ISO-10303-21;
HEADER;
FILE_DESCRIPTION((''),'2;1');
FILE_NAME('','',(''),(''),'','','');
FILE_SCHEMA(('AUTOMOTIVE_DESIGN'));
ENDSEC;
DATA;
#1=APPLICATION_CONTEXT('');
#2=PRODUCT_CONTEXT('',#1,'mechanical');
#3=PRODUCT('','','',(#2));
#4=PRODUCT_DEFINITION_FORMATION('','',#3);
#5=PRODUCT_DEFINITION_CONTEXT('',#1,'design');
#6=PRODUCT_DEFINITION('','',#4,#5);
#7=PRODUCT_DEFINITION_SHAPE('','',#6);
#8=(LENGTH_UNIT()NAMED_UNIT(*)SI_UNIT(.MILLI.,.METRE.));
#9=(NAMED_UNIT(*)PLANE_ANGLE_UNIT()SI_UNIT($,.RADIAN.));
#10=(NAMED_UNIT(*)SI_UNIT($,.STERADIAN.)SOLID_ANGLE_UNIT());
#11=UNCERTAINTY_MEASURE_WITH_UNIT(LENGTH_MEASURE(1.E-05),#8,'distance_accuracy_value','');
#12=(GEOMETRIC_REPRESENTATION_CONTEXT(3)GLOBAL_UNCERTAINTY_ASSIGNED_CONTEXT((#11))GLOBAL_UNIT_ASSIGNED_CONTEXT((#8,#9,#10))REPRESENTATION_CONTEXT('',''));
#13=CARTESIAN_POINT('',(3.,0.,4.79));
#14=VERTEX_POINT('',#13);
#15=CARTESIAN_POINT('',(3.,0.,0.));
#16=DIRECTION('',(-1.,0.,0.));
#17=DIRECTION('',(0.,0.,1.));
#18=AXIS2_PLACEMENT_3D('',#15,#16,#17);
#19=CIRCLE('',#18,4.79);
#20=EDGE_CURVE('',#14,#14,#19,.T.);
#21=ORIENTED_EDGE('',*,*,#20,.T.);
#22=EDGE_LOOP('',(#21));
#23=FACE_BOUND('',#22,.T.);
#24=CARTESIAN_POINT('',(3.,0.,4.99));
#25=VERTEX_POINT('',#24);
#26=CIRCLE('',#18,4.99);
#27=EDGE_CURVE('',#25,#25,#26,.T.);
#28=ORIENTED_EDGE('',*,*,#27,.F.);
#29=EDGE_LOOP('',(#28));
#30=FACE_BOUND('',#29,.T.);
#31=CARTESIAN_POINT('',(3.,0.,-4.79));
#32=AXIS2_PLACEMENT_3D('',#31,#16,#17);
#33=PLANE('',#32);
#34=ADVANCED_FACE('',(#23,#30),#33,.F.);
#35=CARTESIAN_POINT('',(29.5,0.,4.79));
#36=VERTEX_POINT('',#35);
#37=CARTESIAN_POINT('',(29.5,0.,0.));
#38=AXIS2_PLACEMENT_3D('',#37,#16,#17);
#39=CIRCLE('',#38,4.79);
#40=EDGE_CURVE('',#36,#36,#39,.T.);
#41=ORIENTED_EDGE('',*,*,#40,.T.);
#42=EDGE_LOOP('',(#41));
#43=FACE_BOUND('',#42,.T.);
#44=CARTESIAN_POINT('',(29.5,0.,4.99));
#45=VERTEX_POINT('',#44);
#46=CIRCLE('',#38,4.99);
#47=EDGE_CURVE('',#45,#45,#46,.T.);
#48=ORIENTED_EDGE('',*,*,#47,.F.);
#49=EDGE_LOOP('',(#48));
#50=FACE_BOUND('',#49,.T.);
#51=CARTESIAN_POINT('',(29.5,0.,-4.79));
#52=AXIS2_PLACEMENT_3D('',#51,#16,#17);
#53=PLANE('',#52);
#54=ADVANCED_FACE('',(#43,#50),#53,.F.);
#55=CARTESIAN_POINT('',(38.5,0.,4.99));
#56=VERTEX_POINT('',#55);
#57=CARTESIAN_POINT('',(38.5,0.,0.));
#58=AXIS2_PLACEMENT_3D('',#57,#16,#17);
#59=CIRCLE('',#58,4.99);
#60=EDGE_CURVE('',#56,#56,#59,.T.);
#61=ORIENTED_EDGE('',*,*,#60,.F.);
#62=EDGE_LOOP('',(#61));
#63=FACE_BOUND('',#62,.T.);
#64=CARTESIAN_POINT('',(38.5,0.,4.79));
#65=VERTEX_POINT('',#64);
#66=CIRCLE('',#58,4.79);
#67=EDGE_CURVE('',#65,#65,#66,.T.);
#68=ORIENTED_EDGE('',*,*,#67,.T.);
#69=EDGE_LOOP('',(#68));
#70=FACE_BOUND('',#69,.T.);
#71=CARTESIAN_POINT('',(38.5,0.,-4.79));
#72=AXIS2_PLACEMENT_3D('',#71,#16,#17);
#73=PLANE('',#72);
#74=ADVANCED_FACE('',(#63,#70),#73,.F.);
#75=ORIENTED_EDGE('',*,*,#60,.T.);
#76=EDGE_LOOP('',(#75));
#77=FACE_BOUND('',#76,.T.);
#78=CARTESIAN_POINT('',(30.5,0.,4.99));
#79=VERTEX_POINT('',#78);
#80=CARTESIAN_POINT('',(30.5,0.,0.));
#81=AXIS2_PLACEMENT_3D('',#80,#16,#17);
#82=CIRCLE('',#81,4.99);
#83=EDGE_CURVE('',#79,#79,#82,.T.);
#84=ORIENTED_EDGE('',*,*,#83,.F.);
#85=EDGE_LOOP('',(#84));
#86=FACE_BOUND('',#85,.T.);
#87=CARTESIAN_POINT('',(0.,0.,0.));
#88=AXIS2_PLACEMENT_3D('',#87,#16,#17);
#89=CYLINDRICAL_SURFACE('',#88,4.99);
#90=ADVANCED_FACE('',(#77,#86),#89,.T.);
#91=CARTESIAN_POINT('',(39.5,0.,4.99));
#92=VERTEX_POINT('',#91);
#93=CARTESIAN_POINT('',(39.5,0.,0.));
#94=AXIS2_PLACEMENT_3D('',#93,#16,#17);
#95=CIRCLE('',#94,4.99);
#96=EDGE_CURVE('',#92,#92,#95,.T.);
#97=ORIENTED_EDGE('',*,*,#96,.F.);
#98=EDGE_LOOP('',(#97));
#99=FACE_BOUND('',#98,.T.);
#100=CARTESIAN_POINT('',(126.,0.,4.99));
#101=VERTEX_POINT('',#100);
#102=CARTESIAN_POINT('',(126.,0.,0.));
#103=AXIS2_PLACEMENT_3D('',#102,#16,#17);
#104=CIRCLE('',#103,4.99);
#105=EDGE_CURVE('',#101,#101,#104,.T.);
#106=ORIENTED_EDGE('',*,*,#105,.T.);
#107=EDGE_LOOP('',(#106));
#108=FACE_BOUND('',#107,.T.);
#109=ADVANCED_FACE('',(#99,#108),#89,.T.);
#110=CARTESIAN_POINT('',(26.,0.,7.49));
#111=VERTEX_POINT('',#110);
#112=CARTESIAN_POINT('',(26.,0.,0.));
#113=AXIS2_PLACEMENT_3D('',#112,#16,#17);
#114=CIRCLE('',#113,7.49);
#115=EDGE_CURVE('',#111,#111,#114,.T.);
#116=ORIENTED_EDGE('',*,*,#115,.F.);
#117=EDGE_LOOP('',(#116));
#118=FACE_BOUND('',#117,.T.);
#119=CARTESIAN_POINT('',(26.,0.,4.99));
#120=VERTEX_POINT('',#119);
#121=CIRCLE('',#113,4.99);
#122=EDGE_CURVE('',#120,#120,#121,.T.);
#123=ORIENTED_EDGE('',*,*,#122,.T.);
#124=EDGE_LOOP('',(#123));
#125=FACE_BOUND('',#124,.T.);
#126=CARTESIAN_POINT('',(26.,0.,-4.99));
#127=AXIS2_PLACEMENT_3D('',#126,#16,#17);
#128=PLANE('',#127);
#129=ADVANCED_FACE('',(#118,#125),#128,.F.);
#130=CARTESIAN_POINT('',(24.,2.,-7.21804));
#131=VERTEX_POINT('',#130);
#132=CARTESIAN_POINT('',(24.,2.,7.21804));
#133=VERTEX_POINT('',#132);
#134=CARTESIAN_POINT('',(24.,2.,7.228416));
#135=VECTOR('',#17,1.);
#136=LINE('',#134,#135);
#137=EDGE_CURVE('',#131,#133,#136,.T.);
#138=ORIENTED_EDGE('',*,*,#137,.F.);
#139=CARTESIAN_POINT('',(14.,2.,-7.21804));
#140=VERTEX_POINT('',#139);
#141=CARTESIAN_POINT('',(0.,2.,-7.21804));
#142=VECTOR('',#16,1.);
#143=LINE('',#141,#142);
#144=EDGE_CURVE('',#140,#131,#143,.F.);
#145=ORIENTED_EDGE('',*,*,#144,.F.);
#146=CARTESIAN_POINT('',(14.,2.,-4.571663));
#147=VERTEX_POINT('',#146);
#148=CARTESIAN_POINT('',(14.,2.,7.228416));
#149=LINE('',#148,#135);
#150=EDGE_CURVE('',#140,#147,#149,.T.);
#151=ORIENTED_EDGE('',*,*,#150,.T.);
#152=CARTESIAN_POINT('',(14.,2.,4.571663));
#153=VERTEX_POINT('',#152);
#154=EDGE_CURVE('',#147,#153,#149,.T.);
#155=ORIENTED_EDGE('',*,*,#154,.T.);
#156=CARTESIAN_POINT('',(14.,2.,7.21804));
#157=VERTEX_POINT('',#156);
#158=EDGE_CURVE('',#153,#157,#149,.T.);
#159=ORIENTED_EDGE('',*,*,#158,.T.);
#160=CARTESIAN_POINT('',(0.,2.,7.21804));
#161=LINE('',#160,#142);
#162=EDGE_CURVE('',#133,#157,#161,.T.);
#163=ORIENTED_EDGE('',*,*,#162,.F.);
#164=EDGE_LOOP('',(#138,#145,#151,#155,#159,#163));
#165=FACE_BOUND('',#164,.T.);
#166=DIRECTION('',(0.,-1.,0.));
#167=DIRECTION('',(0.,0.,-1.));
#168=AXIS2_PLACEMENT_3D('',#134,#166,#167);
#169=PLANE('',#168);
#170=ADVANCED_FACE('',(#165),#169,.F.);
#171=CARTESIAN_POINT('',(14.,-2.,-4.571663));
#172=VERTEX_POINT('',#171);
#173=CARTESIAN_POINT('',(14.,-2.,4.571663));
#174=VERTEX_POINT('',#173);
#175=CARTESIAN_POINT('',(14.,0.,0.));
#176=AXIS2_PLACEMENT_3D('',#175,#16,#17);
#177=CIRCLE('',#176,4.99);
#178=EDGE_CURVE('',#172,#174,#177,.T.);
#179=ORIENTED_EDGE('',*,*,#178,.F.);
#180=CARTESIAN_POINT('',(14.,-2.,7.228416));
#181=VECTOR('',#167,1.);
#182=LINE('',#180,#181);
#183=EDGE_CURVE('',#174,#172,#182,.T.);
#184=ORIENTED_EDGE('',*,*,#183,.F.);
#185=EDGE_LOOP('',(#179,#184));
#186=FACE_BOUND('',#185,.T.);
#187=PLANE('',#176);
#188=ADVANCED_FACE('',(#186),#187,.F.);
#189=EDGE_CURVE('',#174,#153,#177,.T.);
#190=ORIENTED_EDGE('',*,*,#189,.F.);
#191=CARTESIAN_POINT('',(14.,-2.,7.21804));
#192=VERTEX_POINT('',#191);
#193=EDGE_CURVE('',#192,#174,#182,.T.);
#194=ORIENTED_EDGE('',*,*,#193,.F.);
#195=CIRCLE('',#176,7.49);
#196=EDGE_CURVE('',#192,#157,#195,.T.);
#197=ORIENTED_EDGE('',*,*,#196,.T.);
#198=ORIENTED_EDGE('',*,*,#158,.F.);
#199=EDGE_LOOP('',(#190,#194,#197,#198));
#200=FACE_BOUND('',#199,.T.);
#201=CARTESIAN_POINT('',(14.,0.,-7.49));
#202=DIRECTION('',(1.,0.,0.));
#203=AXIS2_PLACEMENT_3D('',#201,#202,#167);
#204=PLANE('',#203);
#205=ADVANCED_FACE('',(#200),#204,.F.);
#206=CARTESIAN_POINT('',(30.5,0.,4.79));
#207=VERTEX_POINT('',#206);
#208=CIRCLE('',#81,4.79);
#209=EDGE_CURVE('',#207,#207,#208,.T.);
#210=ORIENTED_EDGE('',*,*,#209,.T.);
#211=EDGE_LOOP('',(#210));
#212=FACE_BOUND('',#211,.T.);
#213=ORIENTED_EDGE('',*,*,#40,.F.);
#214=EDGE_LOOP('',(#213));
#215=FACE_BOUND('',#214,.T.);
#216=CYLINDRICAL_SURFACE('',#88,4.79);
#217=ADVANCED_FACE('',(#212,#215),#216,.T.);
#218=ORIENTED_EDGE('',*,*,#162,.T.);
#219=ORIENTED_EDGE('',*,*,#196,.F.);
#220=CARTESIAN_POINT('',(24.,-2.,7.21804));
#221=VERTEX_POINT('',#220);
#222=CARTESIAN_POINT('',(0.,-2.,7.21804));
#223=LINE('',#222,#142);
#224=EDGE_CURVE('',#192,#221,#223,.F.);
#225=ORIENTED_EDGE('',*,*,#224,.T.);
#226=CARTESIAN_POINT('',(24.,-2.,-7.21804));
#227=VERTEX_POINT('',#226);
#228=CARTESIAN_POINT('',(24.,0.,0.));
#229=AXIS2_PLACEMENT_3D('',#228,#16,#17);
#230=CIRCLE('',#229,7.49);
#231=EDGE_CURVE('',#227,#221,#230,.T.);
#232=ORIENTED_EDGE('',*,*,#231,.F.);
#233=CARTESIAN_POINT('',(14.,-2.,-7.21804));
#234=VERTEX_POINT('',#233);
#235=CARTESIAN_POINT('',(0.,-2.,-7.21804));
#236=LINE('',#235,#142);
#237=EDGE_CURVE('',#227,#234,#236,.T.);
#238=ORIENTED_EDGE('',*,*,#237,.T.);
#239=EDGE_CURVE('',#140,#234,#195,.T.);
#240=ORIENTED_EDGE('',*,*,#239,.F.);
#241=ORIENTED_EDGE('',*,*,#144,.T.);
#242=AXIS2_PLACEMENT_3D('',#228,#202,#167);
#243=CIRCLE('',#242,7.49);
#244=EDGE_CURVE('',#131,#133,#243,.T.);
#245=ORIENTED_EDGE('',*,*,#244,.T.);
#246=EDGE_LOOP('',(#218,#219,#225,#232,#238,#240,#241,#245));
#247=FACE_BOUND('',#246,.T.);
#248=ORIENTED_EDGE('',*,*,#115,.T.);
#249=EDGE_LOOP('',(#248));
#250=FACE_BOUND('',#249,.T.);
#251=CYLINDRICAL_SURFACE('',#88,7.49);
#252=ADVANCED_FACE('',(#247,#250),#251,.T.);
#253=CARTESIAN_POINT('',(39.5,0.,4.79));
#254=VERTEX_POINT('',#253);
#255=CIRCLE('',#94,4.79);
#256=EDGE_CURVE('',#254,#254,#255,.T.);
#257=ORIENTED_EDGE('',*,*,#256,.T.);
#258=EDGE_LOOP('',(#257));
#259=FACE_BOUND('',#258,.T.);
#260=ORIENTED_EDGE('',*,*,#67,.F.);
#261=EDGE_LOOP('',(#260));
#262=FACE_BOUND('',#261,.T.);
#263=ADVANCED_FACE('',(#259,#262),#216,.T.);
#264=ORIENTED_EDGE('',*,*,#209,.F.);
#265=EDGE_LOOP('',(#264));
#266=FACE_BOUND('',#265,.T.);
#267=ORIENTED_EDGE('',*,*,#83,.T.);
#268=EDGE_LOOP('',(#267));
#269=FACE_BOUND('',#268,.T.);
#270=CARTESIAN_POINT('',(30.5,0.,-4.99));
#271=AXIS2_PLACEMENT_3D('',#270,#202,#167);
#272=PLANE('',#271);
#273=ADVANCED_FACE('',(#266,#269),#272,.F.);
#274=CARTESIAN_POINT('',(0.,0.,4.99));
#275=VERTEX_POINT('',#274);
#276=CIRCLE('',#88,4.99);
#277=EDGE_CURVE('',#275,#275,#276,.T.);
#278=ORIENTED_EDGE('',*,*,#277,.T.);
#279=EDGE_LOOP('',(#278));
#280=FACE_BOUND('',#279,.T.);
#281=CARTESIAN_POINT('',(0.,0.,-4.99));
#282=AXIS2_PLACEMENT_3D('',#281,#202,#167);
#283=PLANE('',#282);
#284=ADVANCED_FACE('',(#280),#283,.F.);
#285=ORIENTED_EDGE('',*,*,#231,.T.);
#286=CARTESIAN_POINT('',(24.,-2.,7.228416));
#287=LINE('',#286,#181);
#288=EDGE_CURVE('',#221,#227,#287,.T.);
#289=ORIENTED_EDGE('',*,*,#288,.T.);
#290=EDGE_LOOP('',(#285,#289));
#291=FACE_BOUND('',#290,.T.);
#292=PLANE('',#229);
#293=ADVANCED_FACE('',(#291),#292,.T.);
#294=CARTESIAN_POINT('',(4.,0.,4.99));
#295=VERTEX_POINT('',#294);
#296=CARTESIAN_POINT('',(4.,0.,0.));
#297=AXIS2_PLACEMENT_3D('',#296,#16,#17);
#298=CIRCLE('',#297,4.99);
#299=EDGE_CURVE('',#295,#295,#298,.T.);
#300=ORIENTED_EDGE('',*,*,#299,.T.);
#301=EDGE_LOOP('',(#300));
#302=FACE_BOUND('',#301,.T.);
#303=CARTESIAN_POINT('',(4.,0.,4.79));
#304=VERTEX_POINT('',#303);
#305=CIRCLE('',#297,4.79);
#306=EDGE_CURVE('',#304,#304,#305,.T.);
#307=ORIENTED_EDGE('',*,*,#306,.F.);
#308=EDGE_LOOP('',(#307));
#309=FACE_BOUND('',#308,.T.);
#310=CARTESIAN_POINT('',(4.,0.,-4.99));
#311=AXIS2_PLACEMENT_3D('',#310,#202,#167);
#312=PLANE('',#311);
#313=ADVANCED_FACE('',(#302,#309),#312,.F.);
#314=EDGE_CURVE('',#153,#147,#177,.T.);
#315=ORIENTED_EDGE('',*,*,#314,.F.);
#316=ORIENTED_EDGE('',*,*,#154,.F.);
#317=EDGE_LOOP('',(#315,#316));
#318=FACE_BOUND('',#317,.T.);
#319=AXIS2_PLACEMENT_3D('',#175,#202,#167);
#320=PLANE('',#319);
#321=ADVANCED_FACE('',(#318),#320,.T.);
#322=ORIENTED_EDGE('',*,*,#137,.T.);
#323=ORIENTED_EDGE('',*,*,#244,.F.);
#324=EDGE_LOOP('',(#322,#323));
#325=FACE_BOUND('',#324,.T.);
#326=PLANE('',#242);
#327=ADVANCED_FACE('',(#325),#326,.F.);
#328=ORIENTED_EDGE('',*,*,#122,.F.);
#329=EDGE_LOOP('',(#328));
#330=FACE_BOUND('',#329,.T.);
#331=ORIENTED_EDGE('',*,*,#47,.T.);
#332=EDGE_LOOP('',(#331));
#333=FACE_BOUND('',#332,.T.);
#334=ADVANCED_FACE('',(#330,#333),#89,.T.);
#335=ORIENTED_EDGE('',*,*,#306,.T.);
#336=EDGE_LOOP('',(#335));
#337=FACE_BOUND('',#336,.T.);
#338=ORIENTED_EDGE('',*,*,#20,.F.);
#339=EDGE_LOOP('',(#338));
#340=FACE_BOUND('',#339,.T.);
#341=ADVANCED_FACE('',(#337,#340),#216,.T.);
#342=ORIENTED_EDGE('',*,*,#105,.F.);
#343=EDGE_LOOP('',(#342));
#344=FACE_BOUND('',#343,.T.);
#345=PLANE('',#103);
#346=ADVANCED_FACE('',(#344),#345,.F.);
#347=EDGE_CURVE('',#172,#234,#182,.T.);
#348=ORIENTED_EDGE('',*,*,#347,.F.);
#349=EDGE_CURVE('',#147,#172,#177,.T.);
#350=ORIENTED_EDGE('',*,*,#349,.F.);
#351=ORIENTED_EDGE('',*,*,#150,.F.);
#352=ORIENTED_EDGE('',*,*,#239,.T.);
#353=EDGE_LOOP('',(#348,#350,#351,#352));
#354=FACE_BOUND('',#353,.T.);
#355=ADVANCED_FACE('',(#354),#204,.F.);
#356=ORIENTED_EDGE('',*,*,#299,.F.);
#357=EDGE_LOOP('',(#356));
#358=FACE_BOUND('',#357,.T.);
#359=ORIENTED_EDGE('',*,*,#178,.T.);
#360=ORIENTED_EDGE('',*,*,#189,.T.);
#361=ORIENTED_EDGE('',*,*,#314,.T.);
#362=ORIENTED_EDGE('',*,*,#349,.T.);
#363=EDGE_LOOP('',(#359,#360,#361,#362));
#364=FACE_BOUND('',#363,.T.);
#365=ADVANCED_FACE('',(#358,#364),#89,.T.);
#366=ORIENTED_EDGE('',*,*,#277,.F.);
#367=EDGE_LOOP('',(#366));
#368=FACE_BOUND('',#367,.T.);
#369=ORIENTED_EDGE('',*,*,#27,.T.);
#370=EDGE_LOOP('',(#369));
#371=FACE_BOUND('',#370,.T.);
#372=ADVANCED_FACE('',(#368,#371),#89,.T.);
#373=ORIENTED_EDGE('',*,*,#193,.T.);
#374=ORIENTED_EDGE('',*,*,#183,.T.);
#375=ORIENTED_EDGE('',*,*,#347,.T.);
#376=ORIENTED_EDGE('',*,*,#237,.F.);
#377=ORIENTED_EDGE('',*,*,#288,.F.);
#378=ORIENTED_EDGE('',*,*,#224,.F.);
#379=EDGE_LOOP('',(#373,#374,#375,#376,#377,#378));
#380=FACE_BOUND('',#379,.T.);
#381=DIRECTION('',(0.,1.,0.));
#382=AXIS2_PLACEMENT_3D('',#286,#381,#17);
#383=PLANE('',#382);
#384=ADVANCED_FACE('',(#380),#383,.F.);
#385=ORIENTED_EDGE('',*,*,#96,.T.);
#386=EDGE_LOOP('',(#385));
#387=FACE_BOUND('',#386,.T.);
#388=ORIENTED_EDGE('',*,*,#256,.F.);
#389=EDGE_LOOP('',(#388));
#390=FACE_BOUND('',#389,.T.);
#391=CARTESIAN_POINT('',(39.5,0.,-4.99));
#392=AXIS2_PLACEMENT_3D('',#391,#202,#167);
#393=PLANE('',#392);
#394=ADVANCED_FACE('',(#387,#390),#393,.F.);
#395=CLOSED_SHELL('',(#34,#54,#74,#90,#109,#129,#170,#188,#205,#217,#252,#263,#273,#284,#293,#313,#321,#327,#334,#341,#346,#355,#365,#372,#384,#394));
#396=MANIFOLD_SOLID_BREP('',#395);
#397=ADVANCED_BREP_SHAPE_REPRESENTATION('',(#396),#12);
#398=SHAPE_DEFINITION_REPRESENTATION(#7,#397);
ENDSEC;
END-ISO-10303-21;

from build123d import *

# Parameters (mm, degrees)
CUT_EXTRUDE8_DEPTH = 10


with BuildPart() as part:
    # Sketch3 → Revolve1 (revolve)
    with BuildSketch(Plane(origin=(0, 0, 0), x_dir=(1, 0, 0), z_dir=(0, 1, 0)), mode=Mode.PRIVATE) as revolve1_sk:
        Polygon((0, 0), (126, 0), (126, 4.99), (39.5, 4.99), (39.5, 4.79), (38.5, 4.79), (38.5, 4.99), (30.5, 4.99), (30.5, 4.79), (29.5, 4.79), (29.5, 4.99), (26, 4.99), (26, 7.49), (14, 7.49), (14, 4.99), (4, 4.99), (4, 4.79), (3, 4.79), (3, 4.99), (0, 4.99), align=None)
    revolve(revolve1_sk.sketch.rotate(Axis((0, 0, 0), (1, 0, 0)), 180), axis=Axis((0, 0, 0), (1, 0, 0)))

    # Sketch10 → Cut-Extrude8 (cut)
    with BuildSketch(Plane.ZY.offset(-14)):
        with BuildLine():
            Line((7.228416147, 2), (-7.228416147, 2))
            ThreePointArc((-7.228416147, 2), (0, 7.5), (7.228416147, 2))
        make_face()
        with BuildLine():
            Line((7.228416147, -2), (-7.228416147, -2))
            ThreePointArc((-7.228416147, -2), (0, -7.5), (7.228416147, -2))
        make_face()
    extrude(amount=-CUT_EXTRUDE8_DEPTH, mode=Mode.SUBTRACT)


solid = part.part
